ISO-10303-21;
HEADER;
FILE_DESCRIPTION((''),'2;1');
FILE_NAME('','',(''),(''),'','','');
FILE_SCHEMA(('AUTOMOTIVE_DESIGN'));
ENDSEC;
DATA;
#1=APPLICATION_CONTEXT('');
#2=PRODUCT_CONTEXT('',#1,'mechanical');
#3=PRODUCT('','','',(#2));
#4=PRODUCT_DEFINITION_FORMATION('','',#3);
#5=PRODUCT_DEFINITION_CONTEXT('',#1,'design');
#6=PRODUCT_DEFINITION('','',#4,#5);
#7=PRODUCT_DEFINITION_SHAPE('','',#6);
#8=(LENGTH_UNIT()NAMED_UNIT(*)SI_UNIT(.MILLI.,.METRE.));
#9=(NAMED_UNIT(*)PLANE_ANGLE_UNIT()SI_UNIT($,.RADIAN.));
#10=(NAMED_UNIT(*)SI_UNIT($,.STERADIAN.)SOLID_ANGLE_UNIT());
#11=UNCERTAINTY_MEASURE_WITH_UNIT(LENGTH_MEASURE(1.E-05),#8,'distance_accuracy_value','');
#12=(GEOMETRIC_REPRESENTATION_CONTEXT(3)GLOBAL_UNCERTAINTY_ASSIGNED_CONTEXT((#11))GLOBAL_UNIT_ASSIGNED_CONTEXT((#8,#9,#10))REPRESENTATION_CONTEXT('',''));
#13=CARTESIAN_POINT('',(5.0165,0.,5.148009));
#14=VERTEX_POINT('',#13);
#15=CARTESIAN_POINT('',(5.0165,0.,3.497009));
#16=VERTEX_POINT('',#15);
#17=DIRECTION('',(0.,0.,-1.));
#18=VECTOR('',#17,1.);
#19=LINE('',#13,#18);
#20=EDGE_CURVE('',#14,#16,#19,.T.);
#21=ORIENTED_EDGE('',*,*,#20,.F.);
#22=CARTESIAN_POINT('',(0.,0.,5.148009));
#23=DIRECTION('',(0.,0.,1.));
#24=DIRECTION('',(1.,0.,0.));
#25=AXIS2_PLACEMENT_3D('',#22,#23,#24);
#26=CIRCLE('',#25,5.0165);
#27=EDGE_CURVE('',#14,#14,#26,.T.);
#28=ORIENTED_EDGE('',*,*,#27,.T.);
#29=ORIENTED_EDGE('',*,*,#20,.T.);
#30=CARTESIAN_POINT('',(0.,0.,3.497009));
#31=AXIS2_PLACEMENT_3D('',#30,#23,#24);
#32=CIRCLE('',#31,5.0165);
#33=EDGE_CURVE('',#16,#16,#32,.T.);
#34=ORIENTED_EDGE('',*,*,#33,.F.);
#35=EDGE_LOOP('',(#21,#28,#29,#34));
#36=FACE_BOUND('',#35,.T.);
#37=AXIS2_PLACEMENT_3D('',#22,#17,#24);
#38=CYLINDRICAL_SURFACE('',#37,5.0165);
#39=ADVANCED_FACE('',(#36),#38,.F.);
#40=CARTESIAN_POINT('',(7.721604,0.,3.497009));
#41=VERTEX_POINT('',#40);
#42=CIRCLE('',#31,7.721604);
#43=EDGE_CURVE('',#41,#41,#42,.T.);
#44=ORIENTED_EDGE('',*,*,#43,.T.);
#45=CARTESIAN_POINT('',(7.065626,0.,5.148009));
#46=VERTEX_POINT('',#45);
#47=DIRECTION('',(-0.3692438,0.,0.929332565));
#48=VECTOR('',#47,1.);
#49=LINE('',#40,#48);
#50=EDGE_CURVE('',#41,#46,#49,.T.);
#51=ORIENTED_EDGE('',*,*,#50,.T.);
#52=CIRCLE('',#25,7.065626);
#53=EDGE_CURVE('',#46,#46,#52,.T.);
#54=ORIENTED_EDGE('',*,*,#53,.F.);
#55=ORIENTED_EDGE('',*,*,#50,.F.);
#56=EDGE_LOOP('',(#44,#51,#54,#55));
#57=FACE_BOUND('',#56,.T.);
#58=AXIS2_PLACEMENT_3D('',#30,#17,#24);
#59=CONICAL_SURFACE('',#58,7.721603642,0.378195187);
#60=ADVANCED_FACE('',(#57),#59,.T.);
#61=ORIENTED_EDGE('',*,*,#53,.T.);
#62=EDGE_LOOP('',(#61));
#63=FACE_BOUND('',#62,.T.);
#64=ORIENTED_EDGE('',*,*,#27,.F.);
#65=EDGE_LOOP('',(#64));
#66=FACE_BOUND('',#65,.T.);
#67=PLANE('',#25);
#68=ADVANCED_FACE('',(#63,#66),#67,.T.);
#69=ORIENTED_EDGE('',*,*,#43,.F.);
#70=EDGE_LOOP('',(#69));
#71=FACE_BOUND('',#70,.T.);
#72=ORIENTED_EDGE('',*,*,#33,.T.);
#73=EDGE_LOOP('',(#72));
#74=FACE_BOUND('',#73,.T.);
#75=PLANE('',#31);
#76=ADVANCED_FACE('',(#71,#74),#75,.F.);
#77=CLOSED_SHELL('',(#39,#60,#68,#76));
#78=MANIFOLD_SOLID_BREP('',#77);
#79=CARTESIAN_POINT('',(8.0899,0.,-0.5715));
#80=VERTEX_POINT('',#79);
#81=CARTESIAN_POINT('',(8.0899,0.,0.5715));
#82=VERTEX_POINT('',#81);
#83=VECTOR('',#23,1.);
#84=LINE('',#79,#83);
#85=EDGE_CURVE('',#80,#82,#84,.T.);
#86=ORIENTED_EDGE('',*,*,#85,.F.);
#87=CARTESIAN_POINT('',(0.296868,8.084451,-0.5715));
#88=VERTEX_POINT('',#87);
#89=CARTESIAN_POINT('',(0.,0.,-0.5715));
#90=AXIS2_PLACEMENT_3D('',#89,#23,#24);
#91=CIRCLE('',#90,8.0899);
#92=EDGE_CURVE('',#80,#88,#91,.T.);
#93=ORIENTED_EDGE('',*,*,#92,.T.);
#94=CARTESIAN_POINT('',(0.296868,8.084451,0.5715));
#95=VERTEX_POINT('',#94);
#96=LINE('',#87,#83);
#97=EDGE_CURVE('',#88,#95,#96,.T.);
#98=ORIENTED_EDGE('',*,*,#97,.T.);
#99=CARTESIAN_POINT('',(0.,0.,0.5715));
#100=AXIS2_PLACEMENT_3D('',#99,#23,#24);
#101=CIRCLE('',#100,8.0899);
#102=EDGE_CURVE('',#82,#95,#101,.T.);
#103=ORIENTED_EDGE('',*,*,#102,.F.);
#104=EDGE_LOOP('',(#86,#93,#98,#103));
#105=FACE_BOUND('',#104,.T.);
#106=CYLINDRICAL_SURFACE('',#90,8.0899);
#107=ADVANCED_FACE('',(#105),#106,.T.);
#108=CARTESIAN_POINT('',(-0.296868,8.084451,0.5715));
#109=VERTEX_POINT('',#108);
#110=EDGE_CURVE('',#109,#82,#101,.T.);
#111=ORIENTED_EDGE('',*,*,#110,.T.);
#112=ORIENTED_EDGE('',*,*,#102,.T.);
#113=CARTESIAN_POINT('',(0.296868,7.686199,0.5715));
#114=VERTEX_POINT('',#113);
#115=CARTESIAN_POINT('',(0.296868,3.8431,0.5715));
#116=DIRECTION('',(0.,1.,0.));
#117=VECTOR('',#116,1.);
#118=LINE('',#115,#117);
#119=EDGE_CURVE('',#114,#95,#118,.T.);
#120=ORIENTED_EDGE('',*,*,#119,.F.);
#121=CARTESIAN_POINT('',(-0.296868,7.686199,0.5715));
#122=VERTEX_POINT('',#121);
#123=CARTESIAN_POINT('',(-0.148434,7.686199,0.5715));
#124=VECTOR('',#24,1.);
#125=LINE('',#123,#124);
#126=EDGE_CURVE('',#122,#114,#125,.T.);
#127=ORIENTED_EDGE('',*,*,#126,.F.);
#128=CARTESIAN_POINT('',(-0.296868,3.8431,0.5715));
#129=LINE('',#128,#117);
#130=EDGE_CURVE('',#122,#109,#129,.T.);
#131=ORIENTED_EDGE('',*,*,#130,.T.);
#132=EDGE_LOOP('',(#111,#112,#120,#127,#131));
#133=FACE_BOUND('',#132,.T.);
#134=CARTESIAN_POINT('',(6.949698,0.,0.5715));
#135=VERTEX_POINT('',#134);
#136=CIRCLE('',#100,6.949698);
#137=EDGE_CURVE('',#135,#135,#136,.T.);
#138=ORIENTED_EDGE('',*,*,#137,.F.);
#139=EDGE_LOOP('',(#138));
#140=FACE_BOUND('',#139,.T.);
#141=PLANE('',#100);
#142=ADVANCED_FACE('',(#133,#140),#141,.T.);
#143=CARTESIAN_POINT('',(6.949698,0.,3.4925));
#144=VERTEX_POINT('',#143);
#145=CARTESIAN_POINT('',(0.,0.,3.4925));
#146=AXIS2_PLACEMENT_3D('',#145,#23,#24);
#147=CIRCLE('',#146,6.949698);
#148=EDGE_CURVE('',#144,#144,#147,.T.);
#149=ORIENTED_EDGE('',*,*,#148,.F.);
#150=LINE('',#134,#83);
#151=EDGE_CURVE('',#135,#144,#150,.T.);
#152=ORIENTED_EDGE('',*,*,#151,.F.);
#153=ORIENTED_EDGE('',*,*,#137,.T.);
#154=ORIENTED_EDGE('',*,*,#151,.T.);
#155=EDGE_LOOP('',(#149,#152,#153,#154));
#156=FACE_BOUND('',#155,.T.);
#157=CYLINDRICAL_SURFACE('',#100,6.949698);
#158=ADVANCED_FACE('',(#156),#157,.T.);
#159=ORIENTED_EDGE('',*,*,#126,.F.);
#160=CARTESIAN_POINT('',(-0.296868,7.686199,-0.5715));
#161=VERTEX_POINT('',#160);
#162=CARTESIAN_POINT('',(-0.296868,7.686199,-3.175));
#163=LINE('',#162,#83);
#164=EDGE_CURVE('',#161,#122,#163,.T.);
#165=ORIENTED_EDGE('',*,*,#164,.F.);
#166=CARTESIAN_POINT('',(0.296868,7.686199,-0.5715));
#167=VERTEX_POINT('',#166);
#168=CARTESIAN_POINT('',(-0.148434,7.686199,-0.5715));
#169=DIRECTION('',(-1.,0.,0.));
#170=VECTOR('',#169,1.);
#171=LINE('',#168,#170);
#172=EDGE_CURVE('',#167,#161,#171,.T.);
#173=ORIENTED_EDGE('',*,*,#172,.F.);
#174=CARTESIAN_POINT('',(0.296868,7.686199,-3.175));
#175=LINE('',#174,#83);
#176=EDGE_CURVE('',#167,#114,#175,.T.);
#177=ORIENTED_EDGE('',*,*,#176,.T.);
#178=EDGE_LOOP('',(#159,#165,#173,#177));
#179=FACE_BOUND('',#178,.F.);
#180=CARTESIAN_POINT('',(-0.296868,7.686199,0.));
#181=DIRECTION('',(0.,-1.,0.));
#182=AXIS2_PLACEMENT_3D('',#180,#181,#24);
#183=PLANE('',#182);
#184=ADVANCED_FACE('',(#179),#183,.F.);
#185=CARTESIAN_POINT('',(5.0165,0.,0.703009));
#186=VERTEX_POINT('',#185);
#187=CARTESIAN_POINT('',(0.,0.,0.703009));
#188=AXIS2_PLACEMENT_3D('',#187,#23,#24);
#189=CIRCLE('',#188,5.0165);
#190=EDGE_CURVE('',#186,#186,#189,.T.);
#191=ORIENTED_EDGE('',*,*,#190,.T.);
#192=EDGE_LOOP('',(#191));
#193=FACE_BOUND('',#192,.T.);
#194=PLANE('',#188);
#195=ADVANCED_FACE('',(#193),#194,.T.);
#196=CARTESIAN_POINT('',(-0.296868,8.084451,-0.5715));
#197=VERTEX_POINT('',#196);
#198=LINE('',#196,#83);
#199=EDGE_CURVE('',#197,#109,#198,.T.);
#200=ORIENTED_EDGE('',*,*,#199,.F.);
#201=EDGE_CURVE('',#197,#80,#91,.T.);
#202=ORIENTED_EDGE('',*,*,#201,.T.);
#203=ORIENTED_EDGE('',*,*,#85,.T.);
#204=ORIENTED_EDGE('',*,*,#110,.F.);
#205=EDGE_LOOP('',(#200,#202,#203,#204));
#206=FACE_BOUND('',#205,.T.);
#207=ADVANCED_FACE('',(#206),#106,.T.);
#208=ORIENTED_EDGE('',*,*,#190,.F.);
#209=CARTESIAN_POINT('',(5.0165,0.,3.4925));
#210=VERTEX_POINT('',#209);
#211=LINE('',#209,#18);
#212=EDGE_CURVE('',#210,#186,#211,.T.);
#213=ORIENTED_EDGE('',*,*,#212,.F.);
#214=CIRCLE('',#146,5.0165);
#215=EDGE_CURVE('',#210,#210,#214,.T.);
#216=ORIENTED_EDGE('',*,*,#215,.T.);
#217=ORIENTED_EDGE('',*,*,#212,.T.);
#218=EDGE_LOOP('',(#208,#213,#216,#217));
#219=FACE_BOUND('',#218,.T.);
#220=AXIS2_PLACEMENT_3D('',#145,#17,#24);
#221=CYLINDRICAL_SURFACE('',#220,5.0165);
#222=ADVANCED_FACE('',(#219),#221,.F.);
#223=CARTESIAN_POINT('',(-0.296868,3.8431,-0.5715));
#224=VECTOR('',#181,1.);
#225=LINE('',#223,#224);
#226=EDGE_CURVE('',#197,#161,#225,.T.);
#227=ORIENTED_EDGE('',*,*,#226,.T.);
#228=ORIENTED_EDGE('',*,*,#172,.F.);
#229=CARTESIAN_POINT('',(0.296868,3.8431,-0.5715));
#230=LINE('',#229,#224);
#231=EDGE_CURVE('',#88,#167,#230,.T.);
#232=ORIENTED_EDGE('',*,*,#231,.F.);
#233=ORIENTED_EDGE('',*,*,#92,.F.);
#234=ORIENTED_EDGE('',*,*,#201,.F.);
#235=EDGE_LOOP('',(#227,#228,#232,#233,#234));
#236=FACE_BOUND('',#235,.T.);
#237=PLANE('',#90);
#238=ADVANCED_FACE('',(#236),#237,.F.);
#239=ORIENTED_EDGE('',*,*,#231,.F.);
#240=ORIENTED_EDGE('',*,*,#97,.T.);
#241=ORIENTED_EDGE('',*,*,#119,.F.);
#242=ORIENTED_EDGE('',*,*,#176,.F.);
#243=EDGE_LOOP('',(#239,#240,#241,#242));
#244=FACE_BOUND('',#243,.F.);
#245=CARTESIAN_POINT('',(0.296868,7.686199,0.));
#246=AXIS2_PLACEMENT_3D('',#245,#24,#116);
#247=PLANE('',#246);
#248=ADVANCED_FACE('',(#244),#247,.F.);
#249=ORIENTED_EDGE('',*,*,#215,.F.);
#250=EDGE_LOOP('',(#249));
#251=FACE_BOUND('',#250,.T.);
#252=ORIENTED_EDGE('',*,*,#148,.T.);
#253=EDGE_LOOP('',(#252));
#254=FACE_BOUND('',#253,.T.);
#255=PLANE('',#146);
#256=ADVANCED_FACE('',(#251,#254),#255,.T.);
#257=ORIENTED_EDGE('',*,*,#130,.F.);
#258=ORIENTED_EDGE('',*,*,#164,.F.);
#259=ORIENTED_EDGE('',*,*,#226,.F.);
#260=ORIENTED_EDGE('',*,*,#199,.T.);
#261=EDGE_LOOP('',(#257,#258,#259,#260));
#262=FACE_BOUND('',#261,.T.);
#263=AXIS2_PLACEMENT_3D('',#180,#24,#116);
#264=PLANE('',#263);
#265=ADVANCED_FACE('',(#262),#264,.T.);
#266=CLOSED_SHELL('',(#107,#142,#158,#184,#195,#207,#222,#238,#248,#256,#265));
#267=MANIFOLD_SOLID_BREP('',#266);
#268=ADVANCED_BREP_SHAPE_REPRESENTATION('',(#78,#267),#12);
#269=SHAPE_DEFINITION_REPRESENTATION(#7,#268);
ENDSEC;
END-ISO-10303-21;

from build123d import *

# Parameters (mm, degrees)
F0_W     = 5.0165
F0_H     = 2.7894913001
F3_W     = 0.5937354872
F3_H     = 0.4102843814
F4_DEPTH = 3.175


with BuildPart() as f1:
    # F0 (on Front) → F1 (revolve)
    with BuildSketch(Plane.XZ):
        Polygon((5.0165, 5.1480086999), (5.0165, 3.4970086999), (7.721603642, 3.4970086999), (7.0656258613, 5.1480086999), align=None)
    revolve(axis=Axis((0, 0, 2.28825435), (0, 0, 1)))

    # F0 (on Front) → F2 (revolve, cut)
    with BuildSketch(Plane.XZ):
        with Locations((-2.50825, 2.09775435)):
            Rectangle(F0_W, F0_H)
    revolve(axis=Axis((0, 0, 2.28825435), (0, 0, 1)), mode=Mode.SUBTRACT)


with BuildPart() as f1b:
    # F0 (on Front) → F1, piece 2 (revolve)
    with BuildSketch(Plane.XZ):
        Polygon((0, 0.7030086999), (0, 0.5715), (6.9496983094, 0.5715), (6.9496983094, 3.4925), (5.0165, 3.4925), (5.0165, 0.7030086999), align=None)
        Polygon((0, 0.5715), (0, -0.5715), (8.0899, -0.5715), (8.0899, 0.5715), (6.9496983094, 0.5715), align=None)
    revolve(axis=Axis((0, 0, 2.28825435), (0, 0, 1)))

    # F3 (on Top) → F4 (cut, symmetric)
    with BuildSketch(Plane.XY):
        with Locations((0, 7.8913413454)):
            Rectangle(F3_W, F3_H)
    extrude(amount=F4_DEPTH, both=True, mode=Mode.SUBTRACT)


solid = Compound([f1.part, f1b.part])
